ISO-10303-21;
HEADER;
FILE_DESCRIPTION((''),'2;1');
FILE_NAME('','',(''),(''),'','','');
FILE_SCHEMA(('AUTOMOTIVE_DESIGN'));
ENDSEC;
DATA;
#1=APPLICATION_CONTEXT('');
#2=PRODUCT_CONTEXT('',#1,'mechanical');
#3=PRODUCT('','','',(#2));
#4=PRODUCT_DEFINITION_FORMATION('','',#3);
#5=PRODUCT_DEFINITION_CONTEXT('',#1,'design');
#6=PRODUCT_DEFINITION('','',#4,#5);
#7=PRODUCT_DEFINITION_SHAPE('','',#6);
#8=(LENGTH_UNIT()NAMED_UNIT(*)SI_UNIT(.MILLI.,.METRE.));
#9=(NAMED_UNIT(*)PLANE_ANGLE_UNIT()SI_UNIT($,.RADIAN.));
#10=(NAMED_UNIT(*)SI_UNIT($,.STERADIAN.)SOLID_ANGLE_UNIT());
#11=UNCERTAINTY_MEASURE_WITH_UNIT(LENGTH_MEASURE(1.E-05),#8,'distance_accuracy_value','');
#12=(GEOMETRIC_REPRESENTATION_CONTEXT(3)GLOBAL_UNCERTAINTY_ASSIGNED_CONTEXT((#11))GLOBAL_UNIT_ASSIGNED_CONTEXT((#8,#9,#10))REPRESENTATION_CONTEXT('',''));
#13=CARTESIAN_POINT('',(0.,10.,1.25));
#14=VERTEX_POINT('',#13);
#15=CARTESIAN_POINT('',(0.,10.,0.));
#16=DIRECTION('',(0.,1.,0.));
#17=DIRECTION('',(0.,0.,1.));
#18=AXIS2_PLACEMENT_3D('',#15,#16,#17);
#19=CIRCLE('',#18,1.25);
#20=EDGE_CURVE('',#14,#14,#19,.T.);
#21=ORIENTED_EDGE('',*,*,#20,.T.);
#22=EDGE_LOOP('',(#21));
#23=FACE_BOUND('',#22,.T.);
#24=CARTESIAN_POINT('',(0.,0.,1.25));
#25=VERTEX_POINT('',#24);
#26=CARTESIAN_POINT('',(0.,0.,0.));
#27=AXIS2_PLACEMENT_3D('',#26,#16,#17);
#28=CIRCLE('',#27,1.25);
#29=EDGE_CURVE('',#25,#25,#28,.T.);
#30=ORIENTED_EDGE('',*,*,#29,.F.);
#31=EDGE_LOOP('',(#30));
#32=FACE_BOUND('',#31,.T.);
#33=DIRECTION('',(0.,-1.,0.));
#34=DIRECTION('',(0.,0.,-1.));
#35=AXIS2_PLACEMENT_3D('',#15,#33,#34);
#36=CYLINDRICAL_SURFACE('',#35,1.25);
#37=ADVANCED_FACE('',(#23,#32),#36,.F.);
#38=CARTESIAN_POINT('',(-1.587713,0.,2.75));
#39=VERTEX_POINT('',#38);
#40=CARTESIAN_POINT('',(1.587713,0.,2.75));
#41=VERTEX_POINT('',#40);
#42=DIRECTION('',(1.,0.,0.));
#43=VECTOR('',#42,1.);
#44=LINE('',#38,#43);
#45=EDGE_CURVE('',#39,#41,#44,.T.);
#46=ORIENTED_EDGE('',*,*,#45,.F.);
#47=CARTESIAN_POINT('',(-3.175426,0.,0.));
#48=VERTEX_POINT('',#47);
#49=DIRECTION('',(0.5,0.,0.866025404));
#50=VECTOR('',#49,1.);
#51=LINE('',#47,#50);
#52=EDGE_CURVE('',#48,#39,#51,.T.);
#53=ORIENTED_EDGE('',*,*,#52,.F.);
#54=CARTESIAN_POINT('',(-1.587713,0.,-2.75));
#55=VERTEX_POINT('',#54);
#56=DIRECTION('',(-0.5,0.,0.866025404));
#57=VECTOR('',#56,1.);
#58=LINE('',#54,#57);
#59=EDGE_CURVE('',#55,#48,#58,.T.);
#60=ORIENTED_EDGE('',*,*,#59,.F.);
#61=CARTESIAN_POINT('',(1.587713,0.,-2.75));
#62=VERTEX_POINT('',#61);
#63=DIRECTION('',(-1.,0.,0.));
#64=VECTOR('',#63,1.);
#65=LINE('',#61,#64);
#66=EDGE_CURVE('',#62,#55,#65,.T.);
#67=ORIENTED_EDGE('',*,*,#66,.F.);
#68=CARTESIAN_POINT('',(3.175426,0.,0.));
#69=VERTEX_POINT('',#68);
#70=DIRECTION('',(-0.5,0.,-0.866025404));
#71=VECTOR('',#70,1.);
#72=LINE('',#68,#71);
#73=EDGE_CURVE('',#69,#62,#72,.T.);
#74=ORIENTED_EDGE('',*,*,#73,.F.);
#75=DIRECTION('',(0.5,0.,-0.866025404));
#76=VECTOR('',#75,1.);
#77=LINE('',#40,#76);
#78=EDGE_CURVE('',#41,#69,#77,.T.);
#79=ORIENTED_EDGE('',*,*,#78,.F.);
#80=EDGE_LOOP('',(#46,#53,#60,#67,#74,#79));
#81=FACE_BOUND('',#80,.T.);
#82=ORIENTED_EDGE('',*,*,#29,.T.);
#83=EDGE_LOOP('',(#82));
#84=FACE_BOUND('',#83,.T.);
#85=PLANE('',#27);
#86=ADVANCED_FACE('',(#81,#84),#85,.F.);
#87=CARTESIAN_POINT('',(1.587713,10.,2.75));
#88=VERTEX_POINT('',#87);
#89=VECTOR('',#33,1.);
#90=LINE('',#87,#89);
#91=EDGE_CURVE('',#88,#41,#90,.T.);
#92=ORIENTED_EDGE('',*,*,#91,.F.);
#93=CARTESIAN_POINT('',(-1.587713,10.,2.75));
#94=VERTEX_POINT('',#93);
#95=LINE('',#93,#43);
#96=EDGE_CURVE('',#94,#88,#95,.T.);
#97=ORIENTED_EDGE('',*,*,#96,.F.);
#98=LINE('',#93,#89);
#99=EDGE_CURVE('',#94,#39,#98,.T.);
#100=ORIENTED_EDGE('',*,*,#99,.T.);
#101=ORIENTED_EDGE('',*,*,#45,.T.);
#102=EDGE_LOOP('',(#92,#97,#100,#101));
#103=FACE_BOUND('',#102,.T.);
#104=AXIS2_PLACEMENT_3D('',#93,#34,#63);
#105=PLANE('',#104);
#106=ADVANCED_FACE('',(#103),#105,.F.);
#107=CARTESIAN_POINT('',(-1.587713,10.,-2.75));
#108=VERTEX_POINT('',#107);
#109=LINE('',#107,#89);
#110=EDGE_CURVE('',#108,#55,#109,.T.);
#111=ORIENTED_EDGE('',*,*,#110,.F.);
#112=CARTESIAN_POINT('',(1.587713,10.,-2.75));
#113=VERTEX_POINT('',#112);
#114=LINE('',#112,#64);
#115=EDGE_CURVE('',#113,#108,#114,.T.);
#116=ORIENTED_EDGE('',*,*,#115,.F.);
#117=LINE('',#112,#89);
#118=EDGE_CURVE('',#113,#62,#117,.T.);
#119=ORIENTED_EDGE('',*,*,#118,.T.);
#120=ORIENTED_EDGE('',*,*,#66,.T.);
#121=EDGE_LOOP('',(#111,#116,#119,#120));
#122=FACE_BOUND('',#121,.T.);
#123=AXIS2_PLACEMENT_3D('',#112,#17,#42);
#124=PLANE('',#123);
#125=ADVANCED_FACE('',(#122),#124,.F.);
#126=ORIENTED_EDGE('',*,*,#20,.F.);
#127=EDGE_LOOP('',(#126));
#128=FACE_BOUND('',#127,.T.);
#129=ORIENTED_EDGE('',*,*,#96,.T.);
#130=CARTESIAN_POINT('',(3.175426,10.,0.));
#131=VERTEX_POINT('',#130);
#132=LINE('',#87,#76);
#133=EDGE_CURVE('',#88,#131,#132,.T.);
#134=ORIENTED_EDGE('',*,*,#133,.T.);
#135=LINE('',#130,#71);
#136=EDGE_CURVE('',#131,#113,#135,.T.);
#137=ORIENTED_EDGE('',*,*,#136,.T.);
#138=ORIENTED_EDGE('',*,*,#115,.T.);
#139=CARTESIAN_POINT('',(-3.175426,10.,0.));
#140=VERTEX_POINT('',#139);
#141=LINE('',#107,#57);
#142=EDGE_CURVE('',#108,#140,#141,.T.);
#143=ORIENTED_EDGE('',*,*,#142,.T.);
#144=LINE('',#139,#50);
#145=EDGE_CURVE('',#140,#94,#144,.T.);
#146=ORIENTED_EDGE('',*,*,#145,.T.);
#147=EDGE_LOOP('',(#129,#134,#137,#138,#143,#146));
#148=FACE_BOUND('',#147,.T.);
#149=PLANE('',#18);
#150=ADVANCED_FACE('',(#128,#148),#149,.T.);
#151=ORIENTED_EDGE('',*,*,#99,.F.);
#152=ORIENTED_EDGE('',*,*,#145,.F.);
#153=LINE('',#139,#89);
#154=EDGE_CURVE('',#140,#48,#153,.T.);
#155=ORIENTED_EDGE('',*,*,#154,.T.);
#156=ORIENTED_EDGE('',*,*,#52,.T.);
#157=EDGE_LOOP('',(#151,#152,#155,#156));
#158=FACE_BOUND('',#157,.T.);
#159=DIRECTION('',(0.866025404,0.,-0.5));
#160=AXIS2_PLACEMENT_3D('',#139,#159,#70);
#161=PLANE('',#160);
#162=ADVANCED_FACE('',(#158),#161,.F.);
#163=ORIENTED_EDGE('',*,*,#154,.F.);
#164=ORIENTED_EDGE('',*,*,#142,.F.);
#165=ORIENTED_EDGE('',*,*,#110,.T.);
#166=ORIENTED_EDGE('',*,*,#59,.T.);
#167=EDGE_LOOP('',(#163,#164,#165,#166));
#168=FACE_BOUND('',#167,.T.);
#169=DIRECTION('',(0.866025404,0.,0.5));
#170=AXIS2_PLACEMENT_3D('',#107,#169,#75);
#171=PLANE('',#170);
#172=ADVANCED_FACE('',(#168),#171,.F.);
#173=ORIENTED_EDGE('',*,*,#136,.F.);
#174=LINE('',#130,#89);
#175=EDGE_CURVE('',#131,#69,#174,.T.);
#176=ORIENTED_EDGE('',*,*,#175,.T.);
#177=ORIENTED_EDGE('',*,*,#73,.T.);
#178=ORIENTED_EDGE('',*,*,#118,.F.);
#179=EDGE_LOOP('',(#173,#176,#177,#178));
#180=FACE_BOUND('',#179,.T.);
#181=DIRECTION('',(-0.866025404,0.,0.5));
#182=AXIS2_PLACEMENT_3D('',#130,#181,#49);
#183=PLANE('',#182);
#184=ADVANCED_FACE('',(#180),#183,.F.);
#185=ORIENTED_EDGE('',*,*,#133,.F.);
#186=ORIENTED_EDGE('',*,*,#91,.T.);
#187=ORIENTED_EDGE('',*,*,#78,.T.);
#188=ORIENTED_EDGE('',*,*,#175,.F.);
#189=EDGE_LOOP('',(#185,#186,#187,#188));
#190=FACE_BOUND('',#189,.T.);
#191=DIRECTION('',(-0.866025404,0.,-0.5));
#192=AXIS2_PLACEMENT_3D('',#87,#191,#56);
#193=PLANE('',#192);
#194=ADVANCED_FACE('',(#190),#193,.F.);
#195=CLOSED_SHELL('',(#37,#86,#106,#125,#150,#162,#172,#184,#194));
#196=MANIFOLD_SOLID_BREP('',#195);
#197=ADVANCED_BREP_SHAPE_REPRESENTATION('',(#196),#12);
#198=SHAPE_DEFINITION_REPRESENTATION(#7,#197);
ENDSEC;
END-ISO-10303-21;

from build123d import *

# Parameters (mm, degrees)
SKETCH1_R           = 1.25
BOSS_EXTRUDE1_DEPTH = 10


with BuildPart() as part:
    # Sketch1 → Boss-Extrude1 (new body)
    with BuildSketch(Plane(origin=(0, 0, 0), x_dir=(1, 0, 0), z_dir=(0, 1, 0))):
        Polygon((3.175426481, 0), (1.58771324, 2.75), (-1.58771324, 2.75), (-3.175426481, 0), (-1.58771324, -2.75), (1.58771324, -2.75), align=None)
        with Locations(Location((0, 0, 0), (0, 0, 270))):
            Circle(SKETCH1_R, mode=Mode.SUBTRACT)
    extrude(amount=BOSS_EXTRUDE1_DEPTH)


solid = part.part
